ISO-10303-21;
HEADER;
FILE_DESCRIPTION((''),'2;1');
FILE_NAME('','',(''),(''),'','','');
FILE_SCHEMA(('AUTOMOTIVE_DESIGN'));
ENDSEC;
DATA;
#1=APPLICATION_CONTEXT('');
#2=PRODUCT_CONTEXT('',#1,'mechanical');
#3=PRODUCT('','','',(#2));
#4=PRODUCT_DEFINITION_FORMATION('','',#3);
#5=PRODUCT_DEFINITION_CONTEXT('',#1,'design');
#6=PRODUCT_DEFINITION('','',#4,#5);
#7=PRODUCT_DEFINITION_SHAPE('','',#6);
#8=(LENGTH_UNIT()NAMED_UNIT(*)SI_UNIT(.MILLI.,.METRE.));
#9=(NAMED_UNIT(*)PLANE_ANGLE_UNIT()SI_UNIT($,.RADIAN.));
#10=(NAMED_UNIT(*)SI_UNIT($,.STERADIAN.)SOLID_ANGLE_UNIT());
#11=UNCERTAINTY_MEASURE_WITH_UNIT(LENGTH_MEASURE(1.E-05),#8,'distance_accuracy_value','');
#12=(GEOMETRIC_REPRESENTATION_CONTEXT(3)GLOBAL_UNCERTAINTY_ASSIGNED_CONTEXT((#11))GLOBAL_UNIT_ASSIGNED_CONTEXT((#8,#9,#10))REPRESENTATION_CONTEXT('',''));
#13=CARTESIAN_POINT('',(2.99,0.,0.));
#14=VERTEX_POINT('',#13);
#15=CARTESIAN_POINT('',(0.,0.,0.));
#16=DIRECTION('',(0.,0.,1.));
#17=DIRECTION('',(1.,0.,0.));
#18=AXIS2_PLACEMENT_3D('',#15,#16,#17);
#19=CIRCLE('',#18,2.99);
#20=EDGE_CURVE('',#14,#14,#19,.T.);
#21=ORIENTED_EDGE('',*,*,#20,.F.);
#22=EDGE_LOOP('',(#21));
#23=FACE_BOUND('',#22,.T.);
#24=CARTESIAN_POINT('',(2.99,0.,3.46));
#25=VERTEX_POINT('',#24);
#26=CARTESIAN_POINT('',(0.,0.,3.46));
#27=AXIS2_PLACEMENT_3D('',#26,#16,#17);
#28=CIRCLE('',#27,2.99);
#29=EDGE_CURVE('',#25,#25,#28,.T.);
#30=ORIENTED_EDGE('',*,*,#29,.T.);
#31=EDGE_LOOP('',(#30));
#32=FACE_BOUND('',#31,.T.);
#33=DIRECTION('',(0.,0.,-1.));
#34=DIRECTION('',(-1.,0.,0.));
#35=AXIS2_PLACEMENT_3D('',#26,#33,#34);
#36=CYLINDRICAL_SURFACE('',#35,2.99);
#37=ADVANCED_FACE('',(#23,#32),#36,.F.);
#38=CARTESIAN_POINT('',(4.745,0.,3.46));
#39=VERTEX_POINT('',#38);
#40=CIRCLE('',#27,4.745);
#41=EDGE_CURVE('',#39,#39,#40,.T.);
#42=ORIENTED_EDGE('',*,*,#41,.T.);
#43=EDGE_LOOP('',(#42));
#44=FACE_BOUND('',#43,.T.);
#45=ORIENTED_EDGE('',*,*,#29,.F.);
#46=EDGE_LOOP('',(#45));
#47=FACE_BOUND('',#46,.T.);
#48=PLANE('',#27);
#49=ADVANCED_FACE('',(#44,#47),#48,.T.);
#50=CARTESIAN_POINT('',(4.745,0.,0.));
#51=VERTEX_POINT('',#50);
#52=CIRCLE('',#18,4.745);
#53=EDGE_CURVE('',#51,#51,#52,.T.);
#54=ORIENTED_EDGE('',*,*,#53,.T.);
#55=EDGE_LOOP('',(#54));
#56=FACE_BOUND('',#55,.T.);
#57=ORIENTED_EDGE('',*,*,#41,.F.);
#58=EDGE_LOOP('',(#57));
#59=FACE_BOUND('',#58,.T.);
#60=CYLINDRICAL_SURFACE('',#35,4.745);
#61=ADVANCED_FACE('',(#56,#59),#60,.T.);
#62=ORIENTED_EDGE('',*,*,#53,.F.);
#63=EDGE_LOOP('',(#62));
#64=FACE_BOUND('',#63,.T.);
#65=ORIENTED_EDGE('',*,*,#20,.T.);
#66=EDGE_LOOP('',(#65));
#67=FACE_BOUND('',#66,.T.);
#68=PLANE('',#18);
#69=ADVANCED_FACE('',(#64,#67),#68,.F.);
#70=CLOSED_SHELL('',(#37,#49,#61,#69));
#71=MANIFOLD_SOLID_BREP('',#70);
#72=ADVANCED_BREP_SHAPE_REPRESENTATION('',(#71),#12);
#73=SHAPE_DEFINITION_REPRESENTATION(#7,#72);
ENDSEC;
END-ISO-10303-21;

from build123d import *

# Parameters (mm, degrees)
SCHIZZO1_R                   = 4.745
SCHIZZO1_R_2                 = 2.99
ESTRUSIONE_ESTRUSIONE1_DEPTH = 3.46


with BuildPart() as part:
    # Schizzo1 → Estrusione-Estrusione1 (new body)
    with BuildSketch(Plane.XY):
        Circle(SCHIZZO1_R)
        Circle(SCHIZZO1_R_2, mode=Mode.SUBTRACT)
    extrude(amount=ESTRUSIONE_ESTRUSIONE1_DEPTH)


solid = part.part
